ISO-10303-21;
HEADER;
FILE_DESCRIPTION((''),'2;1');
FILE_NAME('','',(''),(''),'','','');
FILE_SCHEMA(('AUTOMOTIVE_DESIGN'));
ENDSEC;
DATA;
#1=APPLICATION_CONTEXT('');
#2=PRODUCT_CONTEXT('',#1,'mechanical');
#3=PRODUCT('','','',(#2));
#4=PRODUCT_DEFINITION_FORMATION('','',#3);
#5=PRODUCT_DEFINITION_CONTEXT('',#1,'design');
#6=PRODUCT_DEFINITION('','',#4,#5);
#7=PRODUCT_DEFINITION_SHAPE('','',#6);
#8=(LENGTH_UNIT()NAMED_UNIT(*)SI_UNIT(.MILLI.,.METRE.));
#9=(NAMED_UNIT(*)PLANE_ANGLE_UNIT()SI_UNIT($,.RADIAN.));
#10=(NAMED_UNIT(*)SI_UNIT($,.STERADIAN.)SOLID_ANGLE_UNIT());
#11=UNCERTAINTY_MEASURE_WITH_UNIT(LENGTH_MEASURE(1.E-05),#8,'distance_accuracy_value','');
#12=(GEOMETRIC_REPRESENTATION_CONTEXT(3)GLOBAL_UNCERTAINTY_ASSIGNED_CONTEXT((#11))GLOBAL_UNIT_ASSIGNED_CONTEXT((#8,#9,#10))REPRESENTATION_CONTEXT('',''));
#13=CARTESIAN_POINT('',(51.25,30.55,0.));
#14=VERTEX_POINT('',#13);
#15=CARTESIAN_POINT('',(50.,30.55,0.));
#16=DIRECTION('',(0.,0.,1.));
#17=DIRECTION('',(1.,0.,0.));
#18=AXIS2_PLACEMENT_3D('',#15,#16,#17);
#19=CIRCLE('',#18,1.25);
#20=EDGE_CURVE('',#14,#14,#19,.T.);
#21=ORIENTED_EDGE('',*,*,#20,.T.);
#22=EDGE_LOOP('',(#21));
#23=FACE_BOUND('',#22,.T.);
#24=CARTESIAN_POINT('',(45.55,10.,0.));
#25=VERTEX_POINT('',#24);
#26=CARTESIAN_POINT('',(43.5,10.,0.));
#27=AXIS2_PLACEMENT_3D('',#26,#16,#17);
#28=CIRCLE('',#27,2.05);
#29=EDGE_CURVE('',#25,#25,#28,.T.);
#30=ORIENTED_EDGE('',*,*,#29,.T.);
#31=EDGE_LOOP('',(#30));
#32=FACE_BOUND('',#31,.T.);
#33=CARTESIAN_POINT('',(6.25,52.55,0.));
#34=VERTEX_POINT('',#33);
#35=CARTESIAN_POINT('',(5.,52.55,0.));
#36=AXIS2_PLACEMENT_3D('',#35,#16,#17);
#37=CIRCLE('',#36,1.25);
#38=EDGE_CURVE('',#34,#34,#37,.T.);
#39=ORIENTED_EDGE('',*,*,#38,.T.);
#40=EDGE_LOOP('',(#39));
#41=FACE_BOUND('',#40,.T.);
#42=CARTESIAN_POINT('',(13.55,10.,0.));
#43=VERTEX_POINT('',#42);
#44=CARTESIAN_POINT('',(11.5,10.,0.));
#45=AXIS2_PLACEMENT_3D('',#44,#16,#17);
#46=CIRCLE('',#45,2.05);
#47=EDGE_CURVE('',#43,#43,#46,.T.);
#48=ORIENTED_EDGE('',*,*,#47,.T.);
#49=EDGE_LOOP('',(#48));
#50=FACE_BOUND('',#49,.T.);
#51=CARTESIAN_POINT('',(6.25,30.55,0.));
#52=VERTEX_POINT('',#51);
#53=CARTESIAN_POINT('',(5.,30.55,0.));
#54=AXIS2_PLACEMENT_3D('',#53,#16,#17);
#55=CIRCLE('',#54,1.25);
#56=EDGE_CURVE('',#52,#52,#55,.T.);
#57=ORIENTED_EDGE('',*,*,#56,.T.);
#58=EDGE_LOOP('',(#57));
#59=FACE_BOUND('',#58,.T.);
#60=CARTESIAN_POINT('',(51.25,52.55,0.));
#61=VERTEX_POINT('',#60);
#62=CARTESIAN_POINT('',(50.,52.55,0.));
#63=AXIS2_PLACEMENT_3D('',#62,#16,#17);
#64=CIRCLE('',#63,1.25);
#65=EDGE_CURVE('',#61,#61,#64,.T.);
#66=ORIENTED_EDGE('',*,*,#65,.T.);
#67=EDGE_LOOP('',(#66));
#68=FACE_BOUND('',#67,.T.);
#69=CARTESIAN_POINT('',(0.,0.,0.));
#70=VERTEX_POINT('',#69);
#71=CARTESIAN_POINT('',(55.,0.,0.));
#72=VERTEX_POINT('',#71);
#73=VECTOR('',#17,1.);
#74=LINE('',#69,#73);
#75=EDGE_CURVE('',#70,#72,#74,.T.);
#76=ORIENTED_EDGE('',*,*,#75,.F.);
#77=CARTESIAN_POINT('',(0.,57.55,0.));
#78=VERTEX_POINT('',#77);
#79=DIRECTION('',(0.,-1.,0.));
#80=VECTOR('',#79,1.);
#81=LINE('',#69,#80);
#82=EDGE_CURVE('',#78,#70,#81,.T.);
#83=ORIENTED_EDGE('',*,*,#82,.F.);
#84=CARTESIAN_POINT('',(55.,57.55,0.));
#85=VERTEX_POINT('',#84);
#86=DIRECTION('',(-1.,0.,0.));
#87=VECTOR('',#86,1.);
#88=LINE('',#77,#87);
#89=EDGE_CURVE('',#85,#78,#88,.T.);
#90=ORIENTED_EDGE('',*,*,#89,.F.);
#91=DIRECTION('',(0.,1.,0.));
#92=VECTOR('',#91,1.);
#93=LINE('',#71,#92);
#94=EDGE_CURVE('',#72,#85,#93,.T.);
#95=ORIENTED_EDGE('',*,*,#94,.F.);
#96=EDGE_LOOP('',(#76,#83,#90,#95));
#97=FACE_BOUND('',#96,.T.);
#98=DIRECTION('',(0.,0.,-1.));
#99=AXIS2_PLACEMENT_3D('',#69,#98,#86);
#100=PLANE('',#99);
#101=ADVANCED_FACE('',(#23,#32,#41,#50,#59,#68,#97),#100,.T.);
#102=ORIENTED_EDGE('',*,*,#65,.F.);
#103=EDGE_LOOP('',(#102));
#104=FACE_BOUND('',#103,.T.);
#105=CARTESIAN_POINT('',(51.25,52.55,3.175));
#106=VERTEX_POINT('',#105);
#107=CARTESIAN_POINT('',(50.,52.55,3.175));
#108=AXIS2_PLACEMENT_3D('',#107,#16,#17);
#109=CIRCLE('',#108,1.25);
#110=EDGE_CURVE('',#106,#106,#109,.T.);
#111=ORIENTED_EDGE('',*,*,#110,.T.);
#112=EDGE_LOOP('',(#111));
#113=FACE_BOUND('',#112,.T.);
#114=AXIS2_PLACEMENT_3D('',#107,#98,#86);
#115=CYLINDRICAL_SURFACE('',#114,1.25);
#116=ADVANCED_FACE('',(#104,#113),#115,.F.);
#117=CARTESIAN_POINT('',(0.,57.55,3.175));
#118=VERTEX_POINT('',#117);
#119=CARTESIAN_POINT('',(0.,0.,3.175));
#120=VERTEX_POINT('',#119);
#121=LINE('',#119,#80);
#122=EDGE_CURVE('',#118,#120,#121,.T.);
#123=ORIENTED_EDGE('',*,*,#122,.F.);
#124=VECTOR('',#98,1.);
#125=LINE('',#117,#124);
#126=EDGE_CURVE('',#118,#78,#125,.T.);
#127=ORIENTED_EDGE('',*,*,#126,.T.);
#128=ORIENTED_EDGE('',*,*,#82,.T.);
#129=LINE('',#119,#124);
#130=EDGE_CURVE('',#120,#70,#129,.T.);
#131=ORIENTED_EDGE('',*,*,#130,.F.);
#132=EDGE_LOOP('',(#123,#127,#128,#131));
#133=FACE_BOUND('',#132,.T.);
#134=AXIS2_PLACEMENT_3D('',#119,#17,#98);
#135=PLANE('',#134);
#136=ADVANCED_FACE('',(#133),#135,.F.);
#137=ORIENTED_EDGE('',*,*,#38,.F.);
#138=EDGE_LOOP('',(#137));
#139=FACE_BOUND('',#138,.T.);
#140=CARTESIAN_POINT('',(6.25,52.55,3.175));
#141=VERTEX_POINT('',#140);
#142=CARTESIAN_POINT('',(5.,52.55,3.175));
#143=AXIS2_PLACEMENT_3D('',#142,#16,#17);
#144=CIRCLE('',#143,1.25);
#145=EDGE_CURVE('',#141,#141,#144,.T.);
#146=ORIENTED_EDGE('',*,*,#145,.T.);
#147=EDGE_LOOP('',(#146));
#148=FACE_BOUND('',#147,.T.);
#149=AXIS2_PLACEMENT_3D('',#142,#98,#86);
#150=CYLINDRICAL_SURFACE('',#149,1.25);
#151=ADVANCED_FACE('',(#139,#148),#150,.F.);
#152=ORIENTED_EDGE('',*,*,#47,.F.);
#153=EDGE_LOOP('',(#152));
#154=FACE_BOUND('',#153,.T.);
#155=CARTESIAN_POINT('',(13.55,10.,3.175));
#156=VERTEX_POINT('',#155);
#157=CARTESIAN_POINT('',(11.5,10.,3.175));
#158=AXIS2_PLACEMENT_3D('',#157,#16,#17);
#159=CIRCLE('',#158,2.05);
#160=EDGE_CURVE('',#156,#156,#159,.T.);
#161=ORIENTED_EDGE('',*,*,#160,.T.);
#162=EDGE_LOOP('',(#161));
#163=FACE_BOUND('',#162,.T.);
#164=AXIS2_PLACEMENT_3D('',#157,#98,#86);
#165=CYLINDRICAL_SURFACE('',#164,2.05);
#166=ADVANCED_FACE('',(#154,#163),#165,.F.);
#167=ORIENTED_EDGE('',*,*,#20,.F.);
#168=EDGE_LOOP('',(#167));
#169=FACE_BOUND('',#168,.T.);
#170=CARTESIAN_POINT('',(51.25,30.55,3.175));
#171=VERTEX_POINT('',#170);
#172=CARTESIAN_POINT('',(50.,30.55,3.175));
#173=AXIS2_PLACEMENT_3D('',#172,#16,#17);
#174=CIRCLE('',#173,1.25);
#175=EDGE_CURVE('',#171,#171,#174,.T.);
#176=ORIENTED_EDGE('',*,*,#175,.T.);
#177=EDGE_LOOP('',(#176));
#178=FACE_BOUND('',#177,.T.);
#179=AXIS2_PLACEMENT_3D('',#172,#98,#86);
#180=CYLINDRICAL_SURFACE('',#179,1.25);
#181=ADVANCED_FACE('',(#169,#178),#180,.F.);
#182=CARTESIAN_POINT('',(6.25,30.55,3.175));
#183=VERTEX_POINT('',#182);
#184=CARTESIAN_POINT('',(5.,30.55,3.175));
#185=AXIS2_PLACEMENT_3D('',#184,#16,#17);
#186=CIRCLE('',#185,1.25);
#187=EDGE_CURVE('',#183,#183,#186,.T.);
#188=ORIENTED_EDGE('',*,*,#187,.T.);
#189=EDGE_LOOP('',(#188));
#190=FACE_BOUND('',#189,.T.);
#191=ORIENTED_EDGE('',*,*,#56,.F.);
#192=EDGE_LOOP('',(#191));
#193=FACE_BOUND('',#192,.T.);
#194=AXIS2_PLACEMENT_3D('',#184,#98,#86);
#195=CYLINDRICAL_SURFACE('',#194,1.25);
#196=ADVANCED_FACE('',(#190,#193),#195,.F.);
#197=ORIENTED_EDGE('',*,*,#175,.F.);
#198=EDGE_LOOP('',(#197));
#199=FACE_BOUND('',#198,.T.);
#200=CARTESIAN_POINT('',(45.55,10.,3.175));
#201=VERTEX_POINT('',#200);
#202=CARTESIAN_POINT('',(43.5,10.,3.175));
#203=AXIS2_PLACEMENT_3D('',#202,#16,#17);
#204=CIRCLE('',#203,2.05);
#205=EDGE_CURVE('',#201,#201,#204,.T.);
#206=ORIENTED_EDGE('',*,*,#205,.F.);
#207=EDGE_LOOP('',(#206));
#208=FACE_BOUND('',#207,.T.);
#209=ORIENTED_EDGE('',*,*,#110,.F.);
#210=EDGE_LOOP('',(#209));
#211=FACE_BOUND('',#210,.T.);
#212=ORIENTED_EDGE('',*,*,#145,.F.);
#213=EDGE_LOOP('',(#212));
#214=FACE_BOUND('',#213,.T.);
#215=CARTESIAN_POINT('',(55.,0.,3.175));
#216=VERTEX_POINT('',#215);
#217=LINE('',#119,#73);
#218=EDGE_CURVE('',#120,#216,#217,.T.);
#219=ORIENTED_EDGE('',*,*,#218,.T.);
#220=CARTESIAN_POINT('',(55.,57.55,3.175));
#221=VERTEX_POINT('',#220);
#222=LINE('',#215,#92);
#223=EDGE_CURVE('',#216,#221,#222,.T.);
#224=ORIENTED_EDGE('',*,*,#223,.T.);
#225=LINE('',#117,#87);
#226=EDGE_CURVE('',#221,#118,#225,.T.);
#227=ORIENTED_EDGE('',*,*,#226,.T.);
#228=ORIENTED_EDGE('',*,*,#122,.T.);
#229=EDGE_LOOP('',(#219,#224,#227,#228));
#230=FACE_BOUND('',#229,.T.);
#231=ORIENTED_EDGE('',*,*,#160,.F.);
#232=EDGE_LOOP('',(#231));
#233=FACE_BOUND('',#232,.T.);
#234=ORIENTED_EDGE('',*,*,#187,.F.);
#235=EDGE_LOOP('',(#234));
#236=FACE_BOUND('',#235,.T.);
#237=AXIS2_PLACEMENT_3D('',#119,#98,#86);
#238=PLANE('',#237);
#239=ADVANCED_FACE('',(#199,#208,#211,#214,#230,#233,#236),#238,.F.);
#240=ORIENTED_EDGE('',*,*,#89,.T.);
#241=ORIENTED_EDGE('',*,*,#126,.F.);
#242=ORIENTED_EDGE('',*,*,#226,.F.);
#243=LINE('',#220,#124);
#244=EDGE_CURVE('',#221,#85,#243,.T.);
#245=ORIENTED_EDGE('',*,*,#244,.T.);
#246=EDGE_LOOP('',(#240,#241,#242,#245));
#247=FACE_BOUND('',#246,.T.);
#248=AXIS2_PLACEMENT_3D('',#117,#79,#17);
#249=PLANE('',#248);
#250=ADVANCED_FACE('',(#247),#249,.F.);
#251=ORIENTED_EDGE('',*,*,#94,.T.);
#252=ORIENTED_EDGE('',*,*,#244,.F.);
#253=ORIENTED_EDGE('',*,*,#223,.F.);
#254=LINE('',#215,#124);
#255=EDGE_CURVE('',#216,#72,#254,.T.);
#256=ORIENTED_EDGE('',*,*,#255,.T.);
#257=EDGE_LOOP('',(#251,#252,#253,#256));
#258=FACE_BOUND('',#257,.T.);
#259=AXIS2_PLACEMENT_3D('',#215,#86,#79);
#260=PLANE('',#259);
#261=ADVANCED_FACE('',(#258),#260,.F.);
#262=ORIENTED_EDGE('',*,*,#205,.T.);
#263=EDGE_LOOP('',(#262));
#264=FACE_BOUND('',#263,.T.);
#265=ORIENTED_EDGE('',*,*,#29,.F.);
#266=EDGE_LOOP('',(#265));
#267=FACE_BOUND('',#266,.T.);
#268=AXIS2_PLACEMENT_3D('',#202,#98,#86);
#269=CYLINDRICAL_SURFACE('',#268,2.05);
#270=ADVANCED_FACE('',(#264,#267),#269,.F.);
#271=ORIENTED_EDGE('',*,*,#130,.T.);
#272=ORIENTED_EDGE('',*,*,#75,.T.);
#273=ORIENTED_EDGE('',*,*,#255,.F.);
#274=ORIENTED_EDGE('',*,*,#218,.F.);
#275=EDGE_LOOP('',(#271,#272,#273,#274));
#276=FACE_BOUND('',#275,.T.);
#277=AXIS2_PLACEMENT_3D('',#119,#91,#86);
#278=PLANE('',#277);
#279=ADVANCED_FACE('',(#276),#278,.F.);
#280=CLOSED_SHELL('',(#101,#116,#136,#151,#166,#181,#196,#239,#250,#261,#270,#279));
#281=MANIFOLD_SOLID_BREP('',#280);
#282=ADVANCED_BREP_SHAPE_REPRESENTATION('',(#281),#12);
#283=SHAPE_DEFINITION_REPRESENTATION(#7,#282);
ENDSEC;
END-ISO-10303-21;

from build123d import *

# Parameters (mm, degrees)
SKETCH1_W           = 55
SKETCH1_H           = 57.55
SKETCH1_R           = 1.25
SKETCH1_R_2         = 2.05
BOSS_EXTRUDE1_DEPTH = 3.175


with BuildPart() as part:
    # Sketch1 → Boss-Extrude1 (new body)
    with BuildSketch(Plane.XY):
        with Locations((27.5, 28.775)):
            Rectangle(SKETCH1_W, SKETCH1_H)
        with Locations((5, 52.55)):
            Circle(SKETCH1_R, mode=Mode.SUBTRACT)
        with Locations((50, 52.55)):
            Circle(SKETCH1_R, mode=Mode.SUBTRACT)
        with Locations((50, 30.55)):
            Circle(SKETCH1_R, mode=Mode.SUBTRACT)
        with Locations((5, 30.55)):
            Circle(SKETCH1_R, mode=Mode.SUBTRACT)
        with Locations((11.5, 10)):
            Circle(SKETCH1_R_2, mode=Mode.SUBTRACT)
        with Locations((43.5, 10)):
            Circle(SKETCH1_R_2, mode=Mode.SUBTRACT)
    extrude(amount=BOSS_EXTRUDE1_DEPTH)


solid = part.part
